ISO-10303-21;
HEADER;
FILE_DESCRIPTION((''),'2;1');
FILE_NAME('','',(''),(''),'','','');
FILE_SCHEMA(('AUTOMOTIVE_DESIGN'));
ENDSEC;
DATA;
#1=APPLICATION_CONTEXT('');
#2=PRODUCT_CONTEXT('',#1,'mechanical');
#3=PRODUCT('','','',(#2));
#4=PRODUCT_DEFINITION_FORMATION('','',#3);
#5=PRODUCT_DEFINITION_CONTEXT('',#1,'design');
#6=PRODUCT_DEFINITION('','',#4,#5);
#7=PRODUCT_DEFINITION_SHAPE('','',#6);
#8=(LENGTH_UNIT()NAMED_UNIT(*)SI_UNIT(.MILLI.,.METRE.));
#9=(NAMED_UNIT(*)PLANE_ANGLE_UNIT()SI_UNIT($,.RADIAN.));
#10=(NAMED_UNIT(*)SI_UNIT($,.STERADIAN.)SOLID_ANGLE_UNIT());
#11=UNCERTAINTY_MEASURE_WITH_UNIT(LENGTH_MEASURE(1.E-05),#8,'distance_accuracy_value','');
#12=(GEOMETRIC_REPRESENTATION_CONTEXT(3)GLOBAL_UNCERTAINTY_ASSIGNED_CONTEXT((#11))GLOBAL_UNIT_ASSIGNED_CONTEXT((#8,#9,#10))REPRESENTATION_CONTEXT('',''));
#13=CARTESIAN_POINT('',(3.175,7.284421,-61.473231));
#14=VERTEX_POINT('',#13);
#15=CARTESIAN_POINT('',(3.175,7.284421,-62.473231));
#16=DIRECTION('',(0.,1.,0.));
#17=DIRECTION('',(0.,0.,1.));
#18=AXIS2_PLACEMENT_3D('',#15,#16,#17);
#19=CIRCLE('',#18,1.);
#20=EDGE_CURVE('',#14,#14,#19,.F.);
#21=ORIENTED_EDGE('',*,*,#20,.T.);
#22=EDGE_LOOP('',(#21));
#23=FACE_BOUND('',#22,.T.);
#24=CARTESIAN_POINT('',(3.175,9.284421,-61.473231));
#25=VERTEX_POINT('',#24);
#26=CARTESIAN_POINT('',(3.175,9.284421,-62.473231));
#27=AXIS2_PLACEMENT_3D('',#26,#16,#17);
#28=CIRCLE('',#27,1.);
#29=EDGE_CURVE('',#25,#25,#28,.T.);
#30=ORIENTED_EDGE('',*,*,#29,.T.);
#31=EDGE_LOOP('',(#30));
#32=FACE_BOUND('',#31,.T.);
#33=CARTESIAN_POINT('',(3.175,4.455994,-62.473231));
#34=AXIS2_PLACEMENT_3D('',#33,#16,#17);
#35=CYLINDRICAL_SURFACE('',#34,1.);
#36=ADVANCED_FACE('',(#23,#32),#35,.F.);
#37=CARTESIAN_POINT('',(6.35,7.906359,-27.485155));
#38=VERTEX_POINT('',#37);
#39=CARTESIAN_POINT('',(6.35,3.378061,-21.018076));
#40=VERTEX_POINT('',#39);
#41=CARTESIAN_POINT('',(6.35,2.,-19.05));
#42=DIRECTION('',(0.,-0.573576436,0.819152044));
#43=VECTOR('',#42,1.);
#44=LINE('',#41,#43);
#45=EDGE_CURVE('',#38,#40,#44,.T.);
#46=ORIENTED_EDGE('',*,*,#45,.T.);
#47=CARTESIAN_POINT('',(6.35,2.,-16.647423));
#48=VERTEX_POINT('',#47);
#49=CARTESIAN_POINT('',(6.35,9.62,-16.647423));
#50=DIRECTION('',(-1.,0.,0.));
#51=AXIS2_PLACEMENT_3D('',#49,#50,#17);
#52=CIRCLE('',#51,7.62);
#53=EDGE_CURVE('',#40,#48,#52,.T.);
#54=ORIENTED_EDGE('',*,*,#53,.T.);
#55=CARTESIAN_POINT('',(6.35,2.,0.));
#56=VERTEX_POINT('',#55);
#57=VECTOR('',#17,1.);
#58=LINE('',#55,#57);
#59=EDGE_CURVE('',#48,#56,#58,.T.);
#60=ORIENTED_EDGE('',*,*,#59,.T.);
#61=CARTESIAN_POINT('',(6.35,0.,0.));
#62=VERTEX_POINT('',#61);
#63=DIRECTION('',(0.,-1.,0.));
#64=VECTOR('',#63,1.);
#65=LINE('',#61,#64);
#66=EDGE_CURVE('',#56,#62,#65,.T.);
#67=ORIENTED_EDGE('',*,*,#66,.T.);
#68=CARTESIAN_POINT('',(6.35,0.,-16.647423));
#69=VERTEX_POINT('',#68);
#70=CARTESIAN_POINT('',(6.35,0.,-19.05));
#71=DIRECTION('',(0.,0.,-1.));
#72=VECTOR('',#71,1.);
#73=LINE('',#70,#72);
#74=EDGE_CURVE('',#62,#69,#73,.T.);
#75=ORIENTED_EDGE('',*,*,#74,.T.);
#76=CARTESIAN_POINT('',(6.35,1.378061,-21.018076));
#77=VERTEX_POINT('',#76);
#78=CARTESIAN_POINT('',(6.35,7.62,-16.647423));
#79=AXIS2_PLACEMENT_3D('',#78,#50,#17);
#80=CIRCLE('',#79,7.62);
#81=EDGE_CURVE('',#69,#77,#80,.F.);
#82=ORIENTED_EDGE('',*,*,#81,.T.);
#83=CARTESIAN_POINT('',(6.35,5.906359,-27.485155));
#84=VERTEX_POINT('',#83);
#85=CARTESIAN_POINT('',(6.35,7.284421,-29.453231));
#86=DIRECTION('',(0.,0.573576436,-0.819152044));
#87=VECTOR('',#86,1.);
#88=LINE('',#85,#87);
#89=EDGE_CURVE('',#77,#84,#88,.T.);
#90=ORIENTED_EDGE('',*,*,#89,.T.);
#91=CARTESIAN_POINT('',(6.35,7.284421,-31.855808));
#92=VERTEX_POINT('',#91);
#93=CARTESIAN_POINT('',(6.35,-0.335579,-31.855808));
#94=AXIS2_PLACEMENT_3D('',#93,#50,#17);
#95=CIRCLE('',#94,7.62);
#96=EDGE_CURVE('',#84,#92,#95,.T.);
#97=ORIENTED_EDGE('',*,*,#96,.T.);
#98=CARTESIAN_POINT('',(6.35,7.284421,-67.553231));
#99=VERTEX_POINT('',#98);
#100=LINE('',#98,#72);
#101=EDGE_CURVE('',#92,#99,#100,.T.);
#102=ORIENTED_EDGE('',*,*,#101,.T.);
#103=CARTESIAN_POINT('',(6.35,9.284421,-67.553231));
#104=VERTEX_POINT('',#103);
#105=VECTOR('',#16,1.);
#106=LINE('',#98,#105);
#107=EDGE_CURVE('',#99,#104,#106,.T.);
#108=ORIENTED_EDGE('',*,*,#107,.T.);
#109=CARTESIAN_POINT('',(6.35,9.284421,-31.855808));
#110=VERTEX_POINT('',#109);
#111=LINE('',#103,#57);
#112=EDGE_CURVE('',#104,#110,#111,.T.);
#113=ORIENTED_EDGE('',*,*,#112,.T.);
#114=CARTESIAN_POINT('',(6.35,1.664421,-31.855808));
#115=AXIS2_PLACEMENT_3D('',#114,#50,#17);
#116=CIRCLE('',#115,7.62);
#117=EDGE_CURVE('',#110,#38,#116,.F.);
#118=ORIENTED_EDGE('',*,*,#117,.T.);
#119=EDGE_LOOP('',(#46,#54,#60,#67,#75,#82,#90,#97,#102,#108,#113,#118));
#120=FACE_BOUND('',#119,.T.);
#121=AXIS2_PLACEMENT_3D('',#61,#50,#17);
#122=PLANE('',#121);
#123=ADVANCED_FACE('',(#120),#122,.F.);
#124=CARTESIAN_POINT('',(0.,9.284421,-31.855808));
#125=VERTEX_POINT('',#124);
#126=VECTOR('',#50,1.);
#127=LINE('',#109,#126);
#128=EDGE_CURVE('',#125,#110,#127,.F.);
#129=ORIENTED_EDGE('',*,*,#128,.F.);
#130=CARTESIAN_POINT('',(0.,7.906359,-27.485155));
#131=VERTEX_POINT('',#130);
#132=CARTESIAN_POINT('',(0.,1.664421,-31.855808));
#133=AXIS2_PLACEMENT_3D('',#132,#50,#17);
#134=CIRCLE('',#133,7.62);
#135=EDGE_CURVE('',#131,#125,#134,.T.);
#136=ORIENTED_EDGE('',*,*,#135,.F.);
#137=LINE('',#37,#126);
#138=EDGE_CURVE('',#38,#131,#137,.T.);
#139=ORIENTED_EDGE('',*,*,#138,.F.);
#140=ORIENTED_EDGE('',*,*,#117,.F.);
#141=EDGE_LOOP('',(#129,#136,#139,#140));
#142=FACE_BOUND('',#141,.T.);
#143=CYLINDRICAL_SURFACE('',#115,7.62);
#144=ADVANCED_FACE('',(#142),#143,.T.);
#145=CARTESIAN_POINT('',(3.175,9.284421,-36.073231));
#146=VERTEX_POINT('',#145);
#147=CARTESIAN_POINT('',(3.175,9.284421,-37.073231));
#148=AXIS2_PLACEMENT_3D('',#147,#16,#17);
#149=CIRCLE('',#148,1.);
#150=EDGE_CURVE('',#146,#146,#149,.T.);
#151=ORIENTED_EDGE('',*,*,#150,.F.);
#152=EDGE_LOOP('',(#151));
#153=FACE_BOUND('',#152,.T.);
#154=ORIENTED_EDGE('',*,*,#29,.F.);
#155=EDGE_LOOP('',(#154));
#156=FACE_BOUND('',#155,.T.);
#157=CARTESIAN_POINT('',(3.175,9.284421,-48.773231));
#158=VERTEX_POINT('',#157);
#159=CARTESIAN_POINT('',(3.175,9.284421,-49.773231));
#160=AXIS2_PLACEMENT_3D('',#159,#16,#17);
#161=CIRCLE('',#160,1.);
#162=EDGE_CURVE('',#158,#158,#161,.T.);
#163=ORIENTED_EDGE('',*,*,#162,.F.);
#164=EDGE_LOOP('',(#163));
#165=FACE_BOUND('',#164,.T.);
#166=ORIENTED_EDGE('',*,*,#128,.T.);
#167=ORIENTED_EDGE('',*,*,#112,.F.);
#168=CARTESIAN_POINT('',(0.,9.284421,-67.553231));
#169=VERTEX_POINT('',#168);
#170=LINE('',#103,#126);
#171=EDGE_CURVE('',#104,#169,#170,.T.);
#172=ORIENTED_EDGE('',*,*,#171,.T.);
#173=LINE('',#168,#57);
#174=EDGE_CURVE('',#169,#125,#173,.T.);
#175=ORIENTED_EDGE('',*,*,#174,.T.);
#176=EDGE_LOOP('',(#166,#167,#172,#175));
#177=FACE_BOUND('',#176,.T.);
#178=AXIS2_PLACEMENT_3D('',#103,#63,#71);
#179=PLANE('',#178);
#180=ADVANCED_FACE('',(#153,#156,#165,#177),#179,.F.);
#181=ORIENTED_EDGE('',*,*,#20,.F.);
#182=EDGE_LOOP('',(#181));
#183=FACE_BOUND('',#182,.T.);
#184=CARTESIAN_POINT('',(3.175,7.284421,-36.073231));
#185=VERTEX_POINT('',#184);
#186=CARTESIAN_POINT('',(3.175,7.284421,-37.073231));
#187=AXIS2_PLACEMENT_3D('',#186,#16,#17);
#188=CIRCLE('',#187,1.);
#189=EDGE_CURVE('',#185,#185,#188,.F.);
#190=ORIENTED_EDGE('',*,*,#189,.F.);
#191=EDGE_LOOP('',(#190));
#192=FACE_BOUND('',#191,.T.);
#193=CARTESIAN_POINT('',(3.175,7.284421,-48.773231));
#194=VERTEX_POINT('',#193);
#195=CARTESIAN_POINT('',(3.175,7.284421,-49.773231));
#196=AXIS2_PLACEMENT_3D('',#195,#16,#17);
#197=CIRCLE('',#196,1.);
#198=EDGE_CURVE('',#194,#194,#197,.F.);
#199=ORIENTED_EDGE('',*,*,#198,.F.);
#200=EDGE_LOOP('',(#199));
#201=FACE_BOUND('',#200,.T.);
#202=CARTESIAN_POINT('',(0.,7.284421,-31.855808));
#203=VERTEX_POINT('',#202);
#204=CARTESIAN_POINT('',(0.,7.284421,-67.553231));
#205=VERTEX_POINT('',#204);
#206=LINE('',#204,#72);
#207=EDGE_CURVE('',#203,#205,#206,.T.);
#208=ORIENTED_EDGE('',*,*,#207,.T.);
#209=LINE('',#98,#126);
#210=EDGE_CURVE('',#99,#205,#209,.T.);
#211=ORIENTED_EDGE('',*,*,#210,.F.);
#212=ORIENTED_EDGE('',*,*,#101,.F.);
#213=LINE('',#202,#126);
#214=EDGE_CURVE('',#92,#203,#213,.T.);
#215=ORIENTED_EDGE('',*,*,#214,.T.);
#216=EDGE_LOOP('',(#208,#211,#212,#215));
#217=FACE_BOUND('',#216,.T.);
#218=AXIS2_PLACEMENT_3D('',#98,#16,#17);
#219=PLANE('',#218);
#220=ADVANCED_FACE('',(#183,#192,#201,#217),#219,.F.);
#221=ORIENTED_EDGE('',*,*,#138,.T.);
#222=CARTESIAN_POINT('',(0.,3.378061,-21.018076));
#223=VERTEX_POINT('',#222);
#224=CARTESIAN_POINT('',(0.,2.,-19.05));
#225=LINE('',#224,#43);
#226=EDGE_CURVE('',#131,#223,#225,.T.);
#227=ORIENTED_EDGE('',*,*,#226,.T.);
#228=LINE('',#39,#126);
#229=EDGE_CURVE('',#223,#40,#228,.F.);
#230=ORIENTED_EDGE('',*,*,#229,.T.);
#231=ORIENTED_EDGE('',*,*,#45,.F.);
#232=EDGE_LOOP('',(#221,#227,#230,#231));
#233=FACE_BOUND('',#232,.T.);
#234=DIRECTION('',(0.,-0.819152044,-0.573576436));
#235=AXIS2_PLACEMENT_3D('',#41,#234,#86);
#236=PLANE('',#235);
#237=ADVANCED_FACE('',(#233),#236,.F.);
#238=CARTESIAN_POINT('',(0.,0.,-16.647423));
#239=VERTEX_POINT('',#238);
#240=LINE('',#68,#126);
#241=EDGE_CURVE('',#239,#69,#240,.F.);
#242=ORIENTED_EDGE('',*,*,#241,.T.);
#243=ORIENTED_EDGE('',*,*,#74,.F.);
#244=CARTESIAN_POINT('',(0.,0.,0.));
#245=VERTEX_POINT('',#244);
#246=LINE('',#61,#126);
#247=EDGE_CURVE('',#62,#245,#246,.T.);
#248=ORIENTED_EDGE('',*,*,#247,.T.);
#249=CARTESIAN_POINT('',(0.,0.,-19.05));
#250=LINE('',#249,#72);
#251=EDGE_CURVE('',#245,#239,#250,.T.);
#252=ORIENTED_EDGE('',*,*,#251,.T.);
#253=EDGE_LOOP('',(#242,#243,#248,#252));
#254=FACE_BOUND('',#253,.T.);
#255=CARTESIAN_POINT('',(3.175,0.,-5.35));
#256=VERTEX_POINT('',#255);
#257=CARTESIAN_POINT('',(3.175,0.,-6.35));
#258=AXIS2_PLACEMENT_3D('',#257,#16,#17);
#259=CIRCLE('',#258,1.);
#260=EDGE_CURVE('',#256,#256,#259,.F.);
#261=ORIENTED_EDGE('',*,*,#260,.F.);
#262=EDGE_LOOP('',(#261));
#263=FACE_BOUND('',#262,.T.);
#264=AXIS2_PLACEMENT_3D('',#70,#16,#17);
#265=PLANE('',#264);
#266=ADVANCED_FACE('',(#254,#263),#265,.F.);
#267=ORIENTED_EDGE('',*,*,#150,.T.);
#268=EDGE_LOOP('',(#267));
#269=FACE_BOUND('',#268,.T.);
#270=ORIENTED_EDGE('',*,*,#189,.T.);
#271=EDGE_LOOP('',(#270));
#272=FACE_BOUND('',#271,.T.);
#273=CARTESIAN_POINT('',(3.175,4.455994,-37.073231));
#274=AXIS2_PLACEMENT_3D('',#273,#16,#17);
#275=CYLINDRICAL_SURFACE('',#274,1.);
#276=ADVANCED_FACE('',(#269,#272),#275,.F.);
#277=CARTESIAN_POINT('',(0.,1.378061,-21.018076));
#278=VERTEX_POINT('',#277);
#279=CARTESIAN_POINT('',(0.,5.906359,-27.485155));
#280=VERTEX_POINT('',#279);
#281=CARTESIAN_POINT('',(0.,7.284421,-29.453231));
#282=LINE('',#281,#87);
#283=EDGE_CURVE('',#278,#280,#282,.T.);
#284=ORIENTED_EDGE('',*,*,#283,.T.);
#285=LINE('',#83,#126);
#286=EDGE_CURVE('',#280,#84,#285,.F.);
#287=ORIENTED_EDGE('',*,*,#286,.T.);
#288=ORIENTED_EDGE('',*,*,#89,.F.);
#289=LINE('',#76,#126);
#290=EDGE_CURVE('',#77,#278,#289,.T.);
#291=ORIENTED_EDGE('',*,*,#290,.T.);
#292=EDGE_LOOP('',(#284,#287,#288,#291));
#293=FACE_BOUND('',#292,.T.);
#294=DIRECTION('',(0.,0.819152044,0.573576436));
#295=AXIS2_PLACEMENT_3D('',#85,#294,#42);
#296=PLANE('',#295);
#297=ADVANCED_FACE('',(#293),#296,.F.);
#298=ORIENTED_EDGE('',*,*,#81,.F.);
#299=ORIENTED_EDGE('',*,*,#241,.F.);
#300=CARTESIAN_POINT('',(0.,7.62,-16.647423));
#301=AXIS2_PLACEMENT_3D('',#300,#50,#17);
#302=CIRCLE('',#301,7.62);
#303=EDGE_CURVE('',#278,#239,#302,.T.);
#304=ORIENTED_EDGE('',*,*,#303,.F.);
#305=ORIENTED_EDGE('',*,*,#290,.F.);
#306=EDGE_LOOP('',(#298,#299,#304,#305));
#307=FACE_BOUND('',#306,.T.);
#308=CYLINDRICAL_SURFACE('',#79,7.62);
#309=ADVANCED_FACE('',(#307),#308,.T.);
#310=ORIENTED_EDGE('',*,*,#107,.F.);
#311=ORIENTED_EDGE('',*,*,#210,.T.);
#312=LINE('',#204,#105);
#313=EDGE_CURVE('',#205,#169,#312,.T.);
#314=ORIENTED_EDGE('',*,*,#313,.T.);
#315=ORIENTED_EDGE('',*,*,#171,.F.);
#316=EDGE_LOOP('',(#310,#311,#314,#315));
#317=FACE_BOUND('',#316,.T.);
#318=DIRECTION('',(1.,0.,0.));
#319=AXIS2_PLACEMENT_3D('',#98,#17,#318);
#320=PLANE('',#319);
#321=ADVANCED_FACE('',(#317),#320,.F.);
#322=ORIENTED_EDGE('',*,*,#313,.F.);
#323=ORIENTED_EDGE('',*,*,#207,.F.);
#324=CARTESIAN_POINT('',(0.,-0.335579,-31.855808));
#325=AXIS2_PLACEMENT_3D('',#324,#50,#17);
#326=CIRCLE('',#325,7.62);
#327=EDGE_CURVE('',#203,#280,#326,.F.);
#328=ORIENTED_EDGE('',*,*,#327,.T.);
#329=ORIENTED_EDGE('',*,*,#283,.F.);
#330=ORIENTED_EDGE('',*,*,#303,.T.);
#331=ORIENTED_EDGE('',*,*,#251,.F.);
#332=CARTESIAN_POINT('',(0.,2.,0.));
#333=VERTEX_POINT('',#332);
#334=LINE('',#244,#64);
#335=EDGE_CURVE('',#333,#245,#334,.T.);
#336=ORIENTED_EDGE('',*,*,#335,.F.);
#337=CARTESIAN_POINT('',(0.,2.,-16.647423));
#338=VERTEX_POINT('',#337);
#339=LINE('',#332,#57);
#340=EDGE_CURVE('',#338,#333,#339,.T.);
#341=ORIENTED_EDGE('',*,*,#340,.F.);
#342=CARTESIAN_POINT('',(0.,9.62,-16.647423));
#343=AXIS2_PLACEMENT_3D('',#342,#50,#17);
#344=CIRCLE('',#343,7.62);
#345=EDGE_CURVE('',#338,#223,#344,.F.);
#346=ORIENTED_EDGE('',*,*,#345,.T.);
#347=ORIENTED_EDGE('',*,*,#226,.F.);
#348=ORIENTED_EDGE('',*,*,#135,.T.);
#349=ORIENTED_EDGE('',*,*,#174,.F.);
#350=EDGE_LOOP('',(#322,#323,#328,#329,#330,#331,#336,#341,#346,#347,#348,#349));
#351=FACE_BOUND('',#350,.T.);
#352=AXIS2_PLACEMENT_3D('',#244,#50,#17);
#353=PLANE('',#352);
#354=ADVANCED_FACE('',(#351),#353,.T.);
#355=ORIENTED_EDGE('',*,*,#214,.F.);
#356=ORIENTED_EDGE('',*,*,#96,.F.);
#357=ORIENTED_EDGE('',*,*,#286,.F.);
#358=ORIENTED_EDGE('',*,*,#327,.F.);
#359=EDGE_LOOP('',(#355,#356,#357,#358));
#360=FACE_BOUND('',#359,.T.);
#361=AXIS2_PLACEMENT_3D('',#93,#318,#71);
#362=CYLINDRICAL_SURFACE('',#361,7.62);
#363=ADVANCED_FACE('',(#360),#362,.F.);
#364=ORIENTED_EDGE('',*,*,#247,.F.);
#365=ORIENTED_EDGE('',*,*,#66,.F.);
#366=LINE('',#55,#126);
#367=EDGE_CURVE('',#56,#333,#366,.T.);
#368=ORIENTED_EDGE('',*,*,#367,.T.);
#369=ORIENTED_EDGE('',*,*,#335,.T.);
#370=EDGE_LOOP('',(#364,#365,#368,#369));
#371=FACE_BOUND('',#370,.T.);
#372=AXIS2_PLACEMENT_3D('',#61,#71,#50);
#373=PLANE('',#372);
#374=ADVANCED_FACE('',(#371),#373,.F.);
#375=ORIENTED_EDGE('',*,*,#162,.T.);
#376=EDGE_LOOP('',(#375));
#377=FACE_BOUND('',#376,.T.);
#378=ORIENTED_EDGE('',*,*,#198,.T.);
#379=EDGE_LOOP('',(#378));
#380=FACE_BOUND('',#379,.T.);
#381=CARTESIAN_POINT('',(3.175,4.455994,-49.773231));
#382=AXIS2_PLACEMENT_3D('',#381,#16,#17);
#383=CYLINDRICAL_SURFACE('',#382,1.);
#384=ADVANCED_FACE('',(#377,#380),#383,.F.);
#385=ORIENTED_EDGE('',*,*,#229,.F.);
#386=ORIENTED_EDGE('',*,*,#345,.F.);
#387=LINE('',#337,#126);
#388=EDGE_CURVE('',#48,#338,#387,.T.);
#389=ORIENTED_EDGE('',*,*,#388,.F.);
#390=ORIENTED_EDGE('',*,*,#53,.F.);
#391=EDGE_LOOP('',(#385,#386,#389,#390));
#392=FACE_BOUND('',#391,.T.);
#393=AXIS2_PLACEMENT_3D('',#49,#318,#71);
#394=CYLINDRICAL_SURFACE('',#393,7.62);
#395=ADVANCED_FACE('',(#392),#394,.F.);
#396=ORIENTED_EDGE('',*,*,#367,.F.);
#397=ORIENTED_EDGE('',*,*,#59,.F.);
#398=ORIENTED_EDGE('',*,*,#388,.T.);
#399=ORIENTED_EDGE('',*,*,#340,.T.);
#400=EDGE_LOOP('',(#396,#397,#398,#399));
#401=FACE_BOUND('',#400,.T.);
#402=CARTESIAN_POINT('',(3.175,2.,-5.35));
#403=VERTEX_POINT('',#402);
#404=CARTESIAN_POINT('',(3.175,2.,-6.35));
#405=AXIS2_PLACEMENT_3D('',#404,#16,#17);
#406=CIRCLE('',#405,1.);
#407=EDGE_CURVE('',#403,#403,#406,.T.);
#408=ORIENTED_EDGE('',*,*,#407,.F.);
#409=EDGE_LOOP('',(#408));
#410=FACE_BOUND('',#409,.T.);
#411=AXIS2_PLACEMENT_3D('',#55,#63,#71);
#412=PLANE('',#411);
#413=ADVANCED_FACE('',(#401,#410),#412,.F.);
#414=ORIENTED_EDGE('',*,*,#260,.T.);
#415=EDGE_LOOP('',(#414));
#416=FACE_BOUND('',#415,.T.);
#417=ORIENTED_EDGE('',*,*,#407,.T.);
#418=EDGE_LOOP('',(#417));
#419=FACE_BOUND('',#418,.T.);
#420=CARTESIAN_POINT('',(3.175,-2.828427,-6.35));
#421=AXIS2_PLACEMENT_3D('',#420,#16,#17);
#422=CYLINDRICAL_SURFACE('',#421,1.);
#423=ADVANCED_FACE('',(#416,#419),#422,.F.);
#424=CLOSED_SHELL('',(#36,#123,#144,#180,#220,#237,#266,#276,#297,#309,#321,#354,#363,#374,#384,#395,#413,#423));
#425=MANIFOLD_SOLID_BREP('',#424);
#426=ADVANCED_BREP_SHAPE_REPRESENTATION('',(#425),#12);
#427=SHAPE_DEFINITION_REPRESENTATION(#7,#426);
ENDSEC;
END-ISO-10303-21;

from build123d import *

# Parameters (mm, degrees)
BOSS_EXTRUDE1_DEPTH = 6.35
SKETCH2_R           = 1
CUT_EXTRUDE1_DEPTH  = 2
SKETCH3_R           = 1
CUT_EXTRUDE2_DEPTH  = 2
LPATTERN1_COUNT     = 3
LPATTERN1_PITCH     = 12.7
FILLET1_R           = 7.62


with BuildPart() as part:
    # Sketch1 → Boss-Extrude1 (new body)
    with BuildSketch(Plane(origin=(0, 0, 0), x_dir=(0, 0, -1), z_dir=(1, 0, 0))):
        Polygon((0, 2), (19.05, 2), (29.453230962, 9.284420742), (67.553230962, 9.284420742), (67.553230962, 7.284420742), (29.453230962, 7.284420742), (19.05, 0), (0, 0), align=None)
    extrude(amount=BOSS_EXTRUDE1_DEPTH)

    # Sketch2 → Cut-Extrude1 (cut)
    with BuildSketch(Plane(origin=(0, 2, 0), x_dir=(1, 0, 0), z_dir=(0, 1, 0))):
        with Locations((3.175, 6.35)):
            Circle(SKETCH2_R)
    extrude(amount=-CUT_EXTRUDE1_DEPTH, mode=Mode.SUBTRACT)

    # Sketch3 → Cut-Extrude2 (cut)
    with BuildSketch(Plane(origin=(0, 9.284420742, 0), x_dir=(1, 0, 0), z_dir=(0, 1, 0))):
        with Locations((3.175, 62.473230962)):
            Circle(SKETCH3_R)
    cut_extrude2 = extrude(amount=-CUT_EXTRUDE2_DEPTH, mode=Mode.SUBTRACT)

    # LPattern1: Cut-Extrude2 ×3
    with Locations(*[(0, 0, i * LPATTERN1_PITCH) for i in range(1, LPATTERN1_COUNT)]):
        add(cut_extrude2, mode=Mode.SUBTRACT)

    # Fillet1
    fillet1_edges = [part.edges().sort_by_distance(p)[0] for p in [
        (3.175, 2, -19.05),
        (3.175, 9.284420742, -29.453230962),
        (3.175, 7.284420742, -29.453230962),
        (3.175, 0, -19.05),
    ]]
    fillet(fillet1_edges, radius=FILLET1_R)


solid = part.part
